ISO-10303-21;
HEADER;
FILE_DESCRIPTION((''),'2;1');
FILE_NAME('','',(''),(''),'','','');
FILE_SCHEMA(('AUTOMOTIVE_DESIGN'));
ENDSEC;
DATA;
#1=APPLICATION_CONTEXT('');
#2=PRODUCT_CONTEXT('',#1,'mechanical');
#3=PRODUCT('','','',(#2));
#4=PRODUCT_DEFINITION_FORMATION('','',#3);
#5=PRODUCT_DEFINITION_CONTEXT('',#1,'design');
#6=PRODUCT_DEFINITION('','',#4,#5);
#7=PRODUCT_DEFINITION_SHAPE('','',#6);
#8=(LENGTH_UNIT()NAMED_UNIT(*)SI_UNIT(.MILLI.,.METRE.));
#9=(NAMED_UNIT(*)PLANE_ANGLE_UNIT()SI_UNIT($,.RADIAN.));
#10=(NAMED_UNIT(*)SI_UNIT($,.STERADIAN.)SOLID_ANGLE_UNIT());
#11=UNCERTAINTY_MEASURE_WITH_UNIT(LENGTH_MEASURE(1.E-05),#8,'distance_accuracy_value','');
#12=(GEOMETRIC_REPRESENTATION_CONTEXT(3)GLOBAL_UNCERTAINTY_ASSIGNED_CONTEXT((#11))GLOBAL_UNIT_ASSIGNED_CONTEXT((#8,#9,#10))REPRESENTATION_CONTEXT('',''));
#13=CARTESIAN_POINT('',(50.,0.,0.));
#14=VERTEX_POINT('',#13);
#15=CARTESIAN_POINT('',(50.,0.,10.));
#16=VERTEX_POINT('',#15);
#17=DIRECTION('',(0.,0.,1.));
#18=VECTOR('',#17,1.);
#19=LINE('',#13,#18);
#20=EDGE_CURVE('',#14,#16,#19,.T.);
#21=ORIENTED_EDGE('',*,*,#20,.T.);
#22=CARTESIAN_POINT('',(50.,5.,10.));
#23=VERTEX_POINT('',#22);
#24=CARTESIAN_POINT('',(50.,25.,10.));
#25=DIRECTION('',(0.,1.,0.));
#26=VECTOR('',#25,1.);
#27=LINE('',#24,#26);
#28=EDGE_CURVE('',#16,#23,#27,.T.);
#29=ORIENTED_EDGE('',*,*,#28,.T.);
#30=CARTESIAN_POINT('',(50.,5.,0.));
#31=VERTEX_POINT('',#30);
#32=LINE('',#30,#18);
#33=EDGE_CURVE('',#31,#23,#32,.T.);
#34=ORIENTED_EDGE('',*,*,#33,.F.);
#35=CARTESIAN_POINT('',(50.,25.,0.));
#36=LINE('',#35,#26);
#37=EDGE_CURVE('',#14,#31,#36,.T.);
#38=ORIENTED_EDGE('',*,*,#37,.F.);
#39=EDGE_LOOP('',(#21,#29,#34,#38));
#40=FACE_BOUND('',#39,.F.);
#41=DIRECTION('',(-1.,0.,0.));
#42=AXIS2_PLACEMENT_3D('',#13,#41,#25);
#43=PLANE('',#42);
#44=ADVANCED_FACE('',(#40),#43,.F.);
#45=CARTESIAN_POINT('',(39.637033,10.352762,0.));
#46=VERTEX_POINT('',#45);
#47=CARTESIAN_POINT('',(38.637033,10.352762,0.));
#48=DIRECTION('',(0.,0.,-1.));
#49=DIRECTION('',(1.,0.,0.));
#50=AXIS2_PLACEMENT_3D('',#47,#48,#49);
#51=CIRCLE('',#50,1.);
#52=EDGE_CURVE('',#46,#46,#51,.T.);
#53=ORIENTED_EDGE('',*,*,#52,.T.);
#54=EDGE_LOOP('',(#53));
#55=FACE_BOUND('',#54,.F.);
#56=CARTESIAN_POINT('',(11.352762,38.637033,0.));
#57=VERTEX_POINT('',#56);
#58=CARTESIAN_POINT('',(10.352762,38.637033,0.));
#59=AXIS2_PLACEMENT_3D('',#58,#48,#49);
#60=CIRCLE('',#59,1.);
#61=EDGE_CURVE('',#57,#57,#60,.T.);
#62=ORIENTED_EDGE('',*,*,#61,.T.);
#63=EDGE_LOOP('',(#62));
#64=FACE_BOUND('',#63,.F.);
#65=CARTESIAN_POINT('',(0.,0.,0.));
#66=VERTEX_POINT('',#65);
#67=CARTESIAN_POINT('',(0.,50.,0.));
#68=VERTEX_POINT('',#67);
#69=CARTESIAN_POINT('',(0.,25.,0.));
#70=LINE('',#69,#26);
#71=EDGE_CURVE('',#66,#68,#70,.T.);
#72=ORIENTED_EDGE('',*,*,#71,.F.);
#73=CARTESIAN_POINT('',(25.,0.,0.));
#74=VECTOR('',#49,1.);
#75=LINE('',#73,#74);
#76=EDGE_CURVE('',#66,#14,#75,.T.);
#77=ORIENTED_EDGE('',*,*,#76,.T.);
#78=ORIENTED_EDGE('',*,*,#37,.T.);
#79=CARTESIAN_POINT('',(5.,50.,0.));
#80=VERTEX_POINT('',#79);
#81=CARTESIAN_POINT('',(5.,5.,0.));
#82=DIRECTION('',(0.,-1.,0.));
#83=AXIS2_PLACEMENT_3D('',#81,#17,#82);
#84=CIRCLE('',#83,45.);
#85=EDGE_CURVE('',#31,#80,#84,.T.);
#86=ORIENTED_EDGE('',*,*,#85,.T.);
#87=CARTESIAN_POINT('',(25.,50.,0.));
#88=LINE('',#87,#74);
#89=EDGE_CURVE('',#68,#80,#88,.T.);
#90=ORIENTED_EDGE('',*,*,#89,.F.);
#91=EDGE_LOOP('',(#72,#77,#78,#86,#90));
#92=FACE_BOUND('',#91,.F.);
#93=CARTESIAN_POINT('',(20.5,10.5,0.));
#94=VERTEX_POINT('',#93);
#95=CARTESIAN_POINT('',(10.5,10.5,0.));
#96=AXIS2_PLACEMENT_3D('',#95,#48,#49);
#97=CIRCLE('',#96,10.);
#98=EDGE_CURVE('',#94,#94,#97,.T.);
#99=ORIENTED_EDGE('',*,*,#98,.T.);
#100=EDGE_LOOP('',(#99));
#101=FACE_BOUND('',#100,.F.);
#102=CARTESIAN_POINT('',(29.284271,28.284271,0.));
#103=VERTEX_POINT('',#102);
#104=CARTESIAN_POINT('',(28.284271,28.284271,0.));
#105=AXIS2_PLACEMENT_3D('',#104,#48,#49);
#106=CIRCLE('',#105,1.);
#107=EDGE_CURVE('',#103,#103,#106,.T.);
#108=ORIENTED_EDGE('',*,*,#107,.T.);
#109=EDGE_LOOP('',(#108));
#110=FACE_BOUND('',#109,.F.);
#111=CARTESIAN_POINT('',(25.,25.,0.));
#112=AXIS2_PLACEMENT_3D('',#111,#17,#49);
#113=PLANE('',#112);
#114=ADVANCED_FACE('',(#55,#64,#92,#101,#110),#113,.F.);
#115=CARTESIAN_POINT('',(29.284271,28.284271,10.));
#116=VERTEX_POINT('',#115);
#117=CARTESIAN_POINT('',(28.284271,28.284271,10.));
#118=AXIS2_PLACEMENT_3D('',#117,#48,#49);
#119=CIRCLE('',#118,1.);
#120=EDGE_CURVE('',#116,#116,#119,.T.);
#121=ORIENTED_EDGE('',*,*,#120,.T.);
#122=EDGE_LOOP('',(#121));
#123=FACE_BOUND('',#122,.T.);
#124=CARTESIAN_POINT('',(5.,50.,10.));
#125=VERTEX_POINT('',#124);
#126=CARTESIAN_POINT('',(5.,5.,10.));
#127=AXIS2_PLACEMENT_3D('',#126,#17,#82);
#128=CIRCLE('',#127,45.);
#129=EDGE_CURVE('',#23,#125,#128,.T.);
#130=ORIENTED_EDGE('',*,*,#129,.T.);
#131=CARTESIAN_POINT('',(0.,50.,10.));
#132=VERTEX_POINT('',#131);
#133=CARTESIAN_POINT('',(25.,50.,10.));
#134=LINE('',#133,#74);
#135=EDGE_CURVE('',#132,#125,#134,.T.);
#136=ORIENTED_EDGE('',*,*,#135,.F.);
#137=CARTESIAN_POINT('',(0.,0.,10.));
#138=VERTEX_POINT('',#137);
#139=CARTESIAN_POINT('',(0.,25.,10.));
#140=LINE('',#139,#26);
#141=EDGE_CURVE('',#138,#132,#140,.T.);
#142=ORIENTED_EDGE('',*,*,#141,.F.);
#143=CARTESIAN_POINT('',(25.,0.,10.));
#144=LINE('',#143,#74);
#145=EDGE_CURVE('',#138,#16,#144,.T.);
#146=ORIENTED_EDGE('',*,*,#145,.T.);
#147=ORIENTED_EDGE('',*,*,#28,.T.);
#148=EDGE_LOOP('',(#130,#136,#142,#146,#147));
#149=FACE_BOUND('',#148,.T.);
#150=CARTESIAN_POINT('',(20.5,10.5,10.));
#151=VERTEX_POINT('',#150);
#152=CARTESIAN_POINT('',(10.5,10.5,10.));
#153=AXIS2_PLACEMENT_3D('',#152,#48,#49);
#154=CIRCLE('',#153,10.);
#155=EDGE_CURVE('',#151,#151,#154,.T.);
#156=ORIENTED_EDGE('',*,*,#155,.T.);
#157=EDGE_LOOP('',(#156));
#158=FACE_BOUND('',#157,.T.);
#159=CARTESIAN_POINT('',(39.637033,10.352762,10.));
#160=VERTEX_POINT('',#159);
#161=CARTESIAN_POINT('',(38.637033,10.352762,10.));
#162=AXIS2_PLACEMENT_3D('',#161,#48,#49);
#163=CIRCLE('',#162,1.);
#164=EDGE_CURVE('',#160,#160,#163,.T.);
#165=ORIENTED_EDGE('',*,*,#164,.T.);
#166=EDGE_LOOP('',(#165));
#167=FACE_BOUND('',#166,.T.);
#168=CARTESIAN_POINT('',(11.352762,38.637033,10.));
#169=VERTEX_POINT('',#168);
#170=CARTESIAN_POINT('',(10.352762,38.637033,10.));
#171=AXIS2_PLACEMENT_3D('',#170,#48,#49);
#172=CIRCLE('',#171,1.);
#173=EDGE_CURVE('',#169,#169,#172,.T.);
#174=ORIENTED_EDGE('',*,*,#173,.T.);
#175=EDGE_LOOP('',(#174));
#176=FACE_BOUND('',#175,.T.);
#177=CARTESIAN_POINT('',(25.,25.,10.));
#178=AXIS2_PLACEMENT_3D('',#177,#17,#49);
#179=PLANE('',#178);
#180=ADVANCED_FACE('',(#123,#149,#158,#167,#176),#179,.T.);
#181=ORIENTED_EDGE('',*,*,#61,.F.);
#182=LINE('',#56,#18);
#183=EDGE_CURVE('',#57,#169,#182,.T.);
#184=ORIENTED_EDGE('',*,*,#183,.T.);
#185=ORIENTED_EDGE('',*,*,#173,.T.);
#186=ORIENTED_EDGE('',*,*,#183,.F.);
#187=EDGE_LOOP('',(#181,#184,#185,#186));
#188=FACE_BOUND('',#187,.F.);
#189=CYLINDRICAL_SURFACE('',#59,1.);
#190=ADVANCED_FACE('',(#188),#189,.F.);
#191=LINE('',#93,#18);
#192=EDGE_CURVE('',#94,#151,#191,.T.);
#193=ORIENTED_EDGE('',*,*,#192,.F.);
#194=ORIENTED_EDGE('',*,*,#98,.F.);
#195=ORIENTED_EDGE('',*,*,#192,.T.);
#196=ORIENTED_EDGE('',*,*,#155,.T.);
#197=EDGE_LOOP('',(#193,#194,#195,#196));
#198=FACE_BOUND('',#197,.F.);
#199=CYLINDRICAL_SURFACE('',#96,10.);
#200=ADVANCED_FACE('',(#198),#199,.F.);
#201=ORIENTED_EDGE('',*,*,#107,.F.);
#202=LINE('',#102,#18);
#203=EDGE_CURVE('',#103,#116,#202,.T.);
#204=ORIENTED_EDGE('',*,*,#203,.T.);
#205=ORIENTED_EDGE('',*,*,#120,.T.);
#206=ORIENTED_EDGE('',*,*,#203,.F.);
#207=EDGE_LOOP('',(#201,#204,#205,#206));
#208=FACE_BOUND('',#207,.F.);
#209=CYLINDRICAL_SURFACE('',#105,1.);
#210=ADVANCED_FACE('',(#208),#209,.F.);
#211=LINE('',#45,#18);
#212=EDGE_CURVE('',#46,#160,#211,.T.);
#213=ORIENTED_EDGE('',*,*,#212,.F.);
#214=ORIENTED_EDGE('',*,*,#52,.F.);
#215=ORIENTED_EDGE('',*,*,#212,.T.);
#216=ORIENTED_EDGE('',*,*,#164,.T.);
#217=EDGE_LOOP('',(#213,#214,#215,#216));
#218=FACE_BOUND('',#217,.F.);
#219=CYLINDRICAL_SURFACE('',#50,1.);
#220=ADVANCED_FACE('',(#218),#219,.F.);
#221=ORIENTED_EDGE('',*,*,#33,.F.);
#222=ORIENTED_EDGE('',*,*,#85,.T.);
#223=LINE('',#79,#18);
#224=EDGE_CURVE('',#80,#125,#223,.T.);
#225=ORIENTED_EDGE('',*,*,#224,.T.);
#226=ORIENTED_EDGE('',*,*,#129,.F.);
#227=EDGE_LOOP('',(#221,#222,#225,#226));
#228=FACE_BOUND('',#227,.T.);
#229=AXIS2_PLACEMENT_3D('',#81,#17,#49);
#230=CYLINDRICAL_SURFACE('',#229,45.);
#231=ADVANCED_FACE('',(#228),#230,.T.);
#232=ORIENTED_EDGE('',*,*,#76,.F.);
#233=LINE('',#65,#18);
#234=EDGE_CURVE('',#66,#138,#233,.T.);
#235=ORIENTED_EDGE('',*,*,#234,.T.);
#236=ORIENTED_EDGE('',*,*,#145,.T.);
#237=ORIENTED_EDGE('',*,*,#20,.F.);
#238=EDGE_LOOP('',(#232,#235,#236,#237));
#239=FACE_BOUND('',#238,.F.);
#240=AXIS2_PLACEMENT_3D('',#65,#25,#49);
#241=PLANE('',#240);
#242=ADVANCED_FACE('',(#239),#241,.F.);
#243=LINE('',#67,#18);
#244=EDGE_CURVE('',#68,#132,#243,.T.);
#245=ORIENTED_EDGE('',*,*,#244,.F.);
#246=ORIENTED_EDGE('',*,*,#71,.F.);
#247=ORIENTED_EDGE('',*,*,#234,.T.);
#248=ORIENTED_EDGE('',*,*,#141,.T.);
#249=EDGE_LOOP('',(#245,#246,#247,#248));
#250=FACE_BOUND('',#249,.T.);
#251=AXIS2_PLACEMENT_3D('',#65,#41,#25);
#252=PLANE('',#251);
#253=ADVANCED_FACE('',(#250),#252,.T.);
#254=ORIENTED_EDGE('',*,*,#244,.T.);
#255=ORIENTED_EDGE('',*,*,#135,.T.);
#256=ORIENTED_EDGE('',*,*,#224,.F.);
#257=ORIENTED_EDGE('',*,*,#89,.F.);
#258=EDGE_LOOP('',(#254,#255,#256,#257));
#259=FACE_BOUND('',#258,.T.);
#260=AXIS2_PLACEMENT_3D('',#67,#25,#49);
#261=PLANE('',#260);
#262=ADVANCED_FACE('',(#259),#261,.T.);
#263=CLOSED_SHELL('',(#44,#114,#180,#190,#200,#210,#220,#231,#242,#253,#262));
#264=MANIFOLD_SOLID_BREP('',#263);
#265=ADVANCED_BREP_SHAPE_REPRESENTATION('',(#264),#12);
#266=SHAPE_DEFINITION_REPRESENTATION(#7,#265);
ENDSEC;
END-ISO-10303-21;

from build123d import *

# Parameters (mm, degrees)
F0_W     = 50
F0_H     = 50
F1_DEPTH = 10
F3_R     = 45
F2_R     = 10
F5_DEPTH = 10.001
F4_R     = 1
F6_DEPTH = 10.001


with BuildPart() as f1:
    # F0 (on Top) → F1 (new body)
    with BuildSketch(Plane.XY):
        with Locations((25, 25)):
            Rectangle(F0_W, F0_H)
    extrude(amount=F1_DEPTH)

    # F3
    f3_edges = [f1.edges().sort_by_distance(p)[0] for p in [
        (50, 50, 5),
    ]]
    fillet(f3_edges, radius=F3_R)

    # F2 (on face) → F5 (cut, through all)
    with BuildSketch(Plane(origin=(0, 0, 0), x_dir=(1, 0, 0), z_dir=(0, 0, -1))):
        with Locations((10.5, -10.5)):
            Circle(F2_R)
    extrude(amount=-F5_DEPTH, mode=Mode.SUBTRACT)

    # F4 (on face) → F6 (cut, through all)
    with BuildSketch(Plane(origin=(0, 0, 0), x_dir=(1, 0, 0), z_dir=(0, 0, -1))):
        with Locations((10.352762, -38.637033)):
            Circle(F4_R)
        with Locations((28.284271, -28.284271)):
            Circle(F4_R)
        with Locations((38.637033, -10.352762)):
            Circle(F4_R)
    extrude(amount=-F6_DEPTH, mode=Mode.SUBTRACT)


solid = f1.part
